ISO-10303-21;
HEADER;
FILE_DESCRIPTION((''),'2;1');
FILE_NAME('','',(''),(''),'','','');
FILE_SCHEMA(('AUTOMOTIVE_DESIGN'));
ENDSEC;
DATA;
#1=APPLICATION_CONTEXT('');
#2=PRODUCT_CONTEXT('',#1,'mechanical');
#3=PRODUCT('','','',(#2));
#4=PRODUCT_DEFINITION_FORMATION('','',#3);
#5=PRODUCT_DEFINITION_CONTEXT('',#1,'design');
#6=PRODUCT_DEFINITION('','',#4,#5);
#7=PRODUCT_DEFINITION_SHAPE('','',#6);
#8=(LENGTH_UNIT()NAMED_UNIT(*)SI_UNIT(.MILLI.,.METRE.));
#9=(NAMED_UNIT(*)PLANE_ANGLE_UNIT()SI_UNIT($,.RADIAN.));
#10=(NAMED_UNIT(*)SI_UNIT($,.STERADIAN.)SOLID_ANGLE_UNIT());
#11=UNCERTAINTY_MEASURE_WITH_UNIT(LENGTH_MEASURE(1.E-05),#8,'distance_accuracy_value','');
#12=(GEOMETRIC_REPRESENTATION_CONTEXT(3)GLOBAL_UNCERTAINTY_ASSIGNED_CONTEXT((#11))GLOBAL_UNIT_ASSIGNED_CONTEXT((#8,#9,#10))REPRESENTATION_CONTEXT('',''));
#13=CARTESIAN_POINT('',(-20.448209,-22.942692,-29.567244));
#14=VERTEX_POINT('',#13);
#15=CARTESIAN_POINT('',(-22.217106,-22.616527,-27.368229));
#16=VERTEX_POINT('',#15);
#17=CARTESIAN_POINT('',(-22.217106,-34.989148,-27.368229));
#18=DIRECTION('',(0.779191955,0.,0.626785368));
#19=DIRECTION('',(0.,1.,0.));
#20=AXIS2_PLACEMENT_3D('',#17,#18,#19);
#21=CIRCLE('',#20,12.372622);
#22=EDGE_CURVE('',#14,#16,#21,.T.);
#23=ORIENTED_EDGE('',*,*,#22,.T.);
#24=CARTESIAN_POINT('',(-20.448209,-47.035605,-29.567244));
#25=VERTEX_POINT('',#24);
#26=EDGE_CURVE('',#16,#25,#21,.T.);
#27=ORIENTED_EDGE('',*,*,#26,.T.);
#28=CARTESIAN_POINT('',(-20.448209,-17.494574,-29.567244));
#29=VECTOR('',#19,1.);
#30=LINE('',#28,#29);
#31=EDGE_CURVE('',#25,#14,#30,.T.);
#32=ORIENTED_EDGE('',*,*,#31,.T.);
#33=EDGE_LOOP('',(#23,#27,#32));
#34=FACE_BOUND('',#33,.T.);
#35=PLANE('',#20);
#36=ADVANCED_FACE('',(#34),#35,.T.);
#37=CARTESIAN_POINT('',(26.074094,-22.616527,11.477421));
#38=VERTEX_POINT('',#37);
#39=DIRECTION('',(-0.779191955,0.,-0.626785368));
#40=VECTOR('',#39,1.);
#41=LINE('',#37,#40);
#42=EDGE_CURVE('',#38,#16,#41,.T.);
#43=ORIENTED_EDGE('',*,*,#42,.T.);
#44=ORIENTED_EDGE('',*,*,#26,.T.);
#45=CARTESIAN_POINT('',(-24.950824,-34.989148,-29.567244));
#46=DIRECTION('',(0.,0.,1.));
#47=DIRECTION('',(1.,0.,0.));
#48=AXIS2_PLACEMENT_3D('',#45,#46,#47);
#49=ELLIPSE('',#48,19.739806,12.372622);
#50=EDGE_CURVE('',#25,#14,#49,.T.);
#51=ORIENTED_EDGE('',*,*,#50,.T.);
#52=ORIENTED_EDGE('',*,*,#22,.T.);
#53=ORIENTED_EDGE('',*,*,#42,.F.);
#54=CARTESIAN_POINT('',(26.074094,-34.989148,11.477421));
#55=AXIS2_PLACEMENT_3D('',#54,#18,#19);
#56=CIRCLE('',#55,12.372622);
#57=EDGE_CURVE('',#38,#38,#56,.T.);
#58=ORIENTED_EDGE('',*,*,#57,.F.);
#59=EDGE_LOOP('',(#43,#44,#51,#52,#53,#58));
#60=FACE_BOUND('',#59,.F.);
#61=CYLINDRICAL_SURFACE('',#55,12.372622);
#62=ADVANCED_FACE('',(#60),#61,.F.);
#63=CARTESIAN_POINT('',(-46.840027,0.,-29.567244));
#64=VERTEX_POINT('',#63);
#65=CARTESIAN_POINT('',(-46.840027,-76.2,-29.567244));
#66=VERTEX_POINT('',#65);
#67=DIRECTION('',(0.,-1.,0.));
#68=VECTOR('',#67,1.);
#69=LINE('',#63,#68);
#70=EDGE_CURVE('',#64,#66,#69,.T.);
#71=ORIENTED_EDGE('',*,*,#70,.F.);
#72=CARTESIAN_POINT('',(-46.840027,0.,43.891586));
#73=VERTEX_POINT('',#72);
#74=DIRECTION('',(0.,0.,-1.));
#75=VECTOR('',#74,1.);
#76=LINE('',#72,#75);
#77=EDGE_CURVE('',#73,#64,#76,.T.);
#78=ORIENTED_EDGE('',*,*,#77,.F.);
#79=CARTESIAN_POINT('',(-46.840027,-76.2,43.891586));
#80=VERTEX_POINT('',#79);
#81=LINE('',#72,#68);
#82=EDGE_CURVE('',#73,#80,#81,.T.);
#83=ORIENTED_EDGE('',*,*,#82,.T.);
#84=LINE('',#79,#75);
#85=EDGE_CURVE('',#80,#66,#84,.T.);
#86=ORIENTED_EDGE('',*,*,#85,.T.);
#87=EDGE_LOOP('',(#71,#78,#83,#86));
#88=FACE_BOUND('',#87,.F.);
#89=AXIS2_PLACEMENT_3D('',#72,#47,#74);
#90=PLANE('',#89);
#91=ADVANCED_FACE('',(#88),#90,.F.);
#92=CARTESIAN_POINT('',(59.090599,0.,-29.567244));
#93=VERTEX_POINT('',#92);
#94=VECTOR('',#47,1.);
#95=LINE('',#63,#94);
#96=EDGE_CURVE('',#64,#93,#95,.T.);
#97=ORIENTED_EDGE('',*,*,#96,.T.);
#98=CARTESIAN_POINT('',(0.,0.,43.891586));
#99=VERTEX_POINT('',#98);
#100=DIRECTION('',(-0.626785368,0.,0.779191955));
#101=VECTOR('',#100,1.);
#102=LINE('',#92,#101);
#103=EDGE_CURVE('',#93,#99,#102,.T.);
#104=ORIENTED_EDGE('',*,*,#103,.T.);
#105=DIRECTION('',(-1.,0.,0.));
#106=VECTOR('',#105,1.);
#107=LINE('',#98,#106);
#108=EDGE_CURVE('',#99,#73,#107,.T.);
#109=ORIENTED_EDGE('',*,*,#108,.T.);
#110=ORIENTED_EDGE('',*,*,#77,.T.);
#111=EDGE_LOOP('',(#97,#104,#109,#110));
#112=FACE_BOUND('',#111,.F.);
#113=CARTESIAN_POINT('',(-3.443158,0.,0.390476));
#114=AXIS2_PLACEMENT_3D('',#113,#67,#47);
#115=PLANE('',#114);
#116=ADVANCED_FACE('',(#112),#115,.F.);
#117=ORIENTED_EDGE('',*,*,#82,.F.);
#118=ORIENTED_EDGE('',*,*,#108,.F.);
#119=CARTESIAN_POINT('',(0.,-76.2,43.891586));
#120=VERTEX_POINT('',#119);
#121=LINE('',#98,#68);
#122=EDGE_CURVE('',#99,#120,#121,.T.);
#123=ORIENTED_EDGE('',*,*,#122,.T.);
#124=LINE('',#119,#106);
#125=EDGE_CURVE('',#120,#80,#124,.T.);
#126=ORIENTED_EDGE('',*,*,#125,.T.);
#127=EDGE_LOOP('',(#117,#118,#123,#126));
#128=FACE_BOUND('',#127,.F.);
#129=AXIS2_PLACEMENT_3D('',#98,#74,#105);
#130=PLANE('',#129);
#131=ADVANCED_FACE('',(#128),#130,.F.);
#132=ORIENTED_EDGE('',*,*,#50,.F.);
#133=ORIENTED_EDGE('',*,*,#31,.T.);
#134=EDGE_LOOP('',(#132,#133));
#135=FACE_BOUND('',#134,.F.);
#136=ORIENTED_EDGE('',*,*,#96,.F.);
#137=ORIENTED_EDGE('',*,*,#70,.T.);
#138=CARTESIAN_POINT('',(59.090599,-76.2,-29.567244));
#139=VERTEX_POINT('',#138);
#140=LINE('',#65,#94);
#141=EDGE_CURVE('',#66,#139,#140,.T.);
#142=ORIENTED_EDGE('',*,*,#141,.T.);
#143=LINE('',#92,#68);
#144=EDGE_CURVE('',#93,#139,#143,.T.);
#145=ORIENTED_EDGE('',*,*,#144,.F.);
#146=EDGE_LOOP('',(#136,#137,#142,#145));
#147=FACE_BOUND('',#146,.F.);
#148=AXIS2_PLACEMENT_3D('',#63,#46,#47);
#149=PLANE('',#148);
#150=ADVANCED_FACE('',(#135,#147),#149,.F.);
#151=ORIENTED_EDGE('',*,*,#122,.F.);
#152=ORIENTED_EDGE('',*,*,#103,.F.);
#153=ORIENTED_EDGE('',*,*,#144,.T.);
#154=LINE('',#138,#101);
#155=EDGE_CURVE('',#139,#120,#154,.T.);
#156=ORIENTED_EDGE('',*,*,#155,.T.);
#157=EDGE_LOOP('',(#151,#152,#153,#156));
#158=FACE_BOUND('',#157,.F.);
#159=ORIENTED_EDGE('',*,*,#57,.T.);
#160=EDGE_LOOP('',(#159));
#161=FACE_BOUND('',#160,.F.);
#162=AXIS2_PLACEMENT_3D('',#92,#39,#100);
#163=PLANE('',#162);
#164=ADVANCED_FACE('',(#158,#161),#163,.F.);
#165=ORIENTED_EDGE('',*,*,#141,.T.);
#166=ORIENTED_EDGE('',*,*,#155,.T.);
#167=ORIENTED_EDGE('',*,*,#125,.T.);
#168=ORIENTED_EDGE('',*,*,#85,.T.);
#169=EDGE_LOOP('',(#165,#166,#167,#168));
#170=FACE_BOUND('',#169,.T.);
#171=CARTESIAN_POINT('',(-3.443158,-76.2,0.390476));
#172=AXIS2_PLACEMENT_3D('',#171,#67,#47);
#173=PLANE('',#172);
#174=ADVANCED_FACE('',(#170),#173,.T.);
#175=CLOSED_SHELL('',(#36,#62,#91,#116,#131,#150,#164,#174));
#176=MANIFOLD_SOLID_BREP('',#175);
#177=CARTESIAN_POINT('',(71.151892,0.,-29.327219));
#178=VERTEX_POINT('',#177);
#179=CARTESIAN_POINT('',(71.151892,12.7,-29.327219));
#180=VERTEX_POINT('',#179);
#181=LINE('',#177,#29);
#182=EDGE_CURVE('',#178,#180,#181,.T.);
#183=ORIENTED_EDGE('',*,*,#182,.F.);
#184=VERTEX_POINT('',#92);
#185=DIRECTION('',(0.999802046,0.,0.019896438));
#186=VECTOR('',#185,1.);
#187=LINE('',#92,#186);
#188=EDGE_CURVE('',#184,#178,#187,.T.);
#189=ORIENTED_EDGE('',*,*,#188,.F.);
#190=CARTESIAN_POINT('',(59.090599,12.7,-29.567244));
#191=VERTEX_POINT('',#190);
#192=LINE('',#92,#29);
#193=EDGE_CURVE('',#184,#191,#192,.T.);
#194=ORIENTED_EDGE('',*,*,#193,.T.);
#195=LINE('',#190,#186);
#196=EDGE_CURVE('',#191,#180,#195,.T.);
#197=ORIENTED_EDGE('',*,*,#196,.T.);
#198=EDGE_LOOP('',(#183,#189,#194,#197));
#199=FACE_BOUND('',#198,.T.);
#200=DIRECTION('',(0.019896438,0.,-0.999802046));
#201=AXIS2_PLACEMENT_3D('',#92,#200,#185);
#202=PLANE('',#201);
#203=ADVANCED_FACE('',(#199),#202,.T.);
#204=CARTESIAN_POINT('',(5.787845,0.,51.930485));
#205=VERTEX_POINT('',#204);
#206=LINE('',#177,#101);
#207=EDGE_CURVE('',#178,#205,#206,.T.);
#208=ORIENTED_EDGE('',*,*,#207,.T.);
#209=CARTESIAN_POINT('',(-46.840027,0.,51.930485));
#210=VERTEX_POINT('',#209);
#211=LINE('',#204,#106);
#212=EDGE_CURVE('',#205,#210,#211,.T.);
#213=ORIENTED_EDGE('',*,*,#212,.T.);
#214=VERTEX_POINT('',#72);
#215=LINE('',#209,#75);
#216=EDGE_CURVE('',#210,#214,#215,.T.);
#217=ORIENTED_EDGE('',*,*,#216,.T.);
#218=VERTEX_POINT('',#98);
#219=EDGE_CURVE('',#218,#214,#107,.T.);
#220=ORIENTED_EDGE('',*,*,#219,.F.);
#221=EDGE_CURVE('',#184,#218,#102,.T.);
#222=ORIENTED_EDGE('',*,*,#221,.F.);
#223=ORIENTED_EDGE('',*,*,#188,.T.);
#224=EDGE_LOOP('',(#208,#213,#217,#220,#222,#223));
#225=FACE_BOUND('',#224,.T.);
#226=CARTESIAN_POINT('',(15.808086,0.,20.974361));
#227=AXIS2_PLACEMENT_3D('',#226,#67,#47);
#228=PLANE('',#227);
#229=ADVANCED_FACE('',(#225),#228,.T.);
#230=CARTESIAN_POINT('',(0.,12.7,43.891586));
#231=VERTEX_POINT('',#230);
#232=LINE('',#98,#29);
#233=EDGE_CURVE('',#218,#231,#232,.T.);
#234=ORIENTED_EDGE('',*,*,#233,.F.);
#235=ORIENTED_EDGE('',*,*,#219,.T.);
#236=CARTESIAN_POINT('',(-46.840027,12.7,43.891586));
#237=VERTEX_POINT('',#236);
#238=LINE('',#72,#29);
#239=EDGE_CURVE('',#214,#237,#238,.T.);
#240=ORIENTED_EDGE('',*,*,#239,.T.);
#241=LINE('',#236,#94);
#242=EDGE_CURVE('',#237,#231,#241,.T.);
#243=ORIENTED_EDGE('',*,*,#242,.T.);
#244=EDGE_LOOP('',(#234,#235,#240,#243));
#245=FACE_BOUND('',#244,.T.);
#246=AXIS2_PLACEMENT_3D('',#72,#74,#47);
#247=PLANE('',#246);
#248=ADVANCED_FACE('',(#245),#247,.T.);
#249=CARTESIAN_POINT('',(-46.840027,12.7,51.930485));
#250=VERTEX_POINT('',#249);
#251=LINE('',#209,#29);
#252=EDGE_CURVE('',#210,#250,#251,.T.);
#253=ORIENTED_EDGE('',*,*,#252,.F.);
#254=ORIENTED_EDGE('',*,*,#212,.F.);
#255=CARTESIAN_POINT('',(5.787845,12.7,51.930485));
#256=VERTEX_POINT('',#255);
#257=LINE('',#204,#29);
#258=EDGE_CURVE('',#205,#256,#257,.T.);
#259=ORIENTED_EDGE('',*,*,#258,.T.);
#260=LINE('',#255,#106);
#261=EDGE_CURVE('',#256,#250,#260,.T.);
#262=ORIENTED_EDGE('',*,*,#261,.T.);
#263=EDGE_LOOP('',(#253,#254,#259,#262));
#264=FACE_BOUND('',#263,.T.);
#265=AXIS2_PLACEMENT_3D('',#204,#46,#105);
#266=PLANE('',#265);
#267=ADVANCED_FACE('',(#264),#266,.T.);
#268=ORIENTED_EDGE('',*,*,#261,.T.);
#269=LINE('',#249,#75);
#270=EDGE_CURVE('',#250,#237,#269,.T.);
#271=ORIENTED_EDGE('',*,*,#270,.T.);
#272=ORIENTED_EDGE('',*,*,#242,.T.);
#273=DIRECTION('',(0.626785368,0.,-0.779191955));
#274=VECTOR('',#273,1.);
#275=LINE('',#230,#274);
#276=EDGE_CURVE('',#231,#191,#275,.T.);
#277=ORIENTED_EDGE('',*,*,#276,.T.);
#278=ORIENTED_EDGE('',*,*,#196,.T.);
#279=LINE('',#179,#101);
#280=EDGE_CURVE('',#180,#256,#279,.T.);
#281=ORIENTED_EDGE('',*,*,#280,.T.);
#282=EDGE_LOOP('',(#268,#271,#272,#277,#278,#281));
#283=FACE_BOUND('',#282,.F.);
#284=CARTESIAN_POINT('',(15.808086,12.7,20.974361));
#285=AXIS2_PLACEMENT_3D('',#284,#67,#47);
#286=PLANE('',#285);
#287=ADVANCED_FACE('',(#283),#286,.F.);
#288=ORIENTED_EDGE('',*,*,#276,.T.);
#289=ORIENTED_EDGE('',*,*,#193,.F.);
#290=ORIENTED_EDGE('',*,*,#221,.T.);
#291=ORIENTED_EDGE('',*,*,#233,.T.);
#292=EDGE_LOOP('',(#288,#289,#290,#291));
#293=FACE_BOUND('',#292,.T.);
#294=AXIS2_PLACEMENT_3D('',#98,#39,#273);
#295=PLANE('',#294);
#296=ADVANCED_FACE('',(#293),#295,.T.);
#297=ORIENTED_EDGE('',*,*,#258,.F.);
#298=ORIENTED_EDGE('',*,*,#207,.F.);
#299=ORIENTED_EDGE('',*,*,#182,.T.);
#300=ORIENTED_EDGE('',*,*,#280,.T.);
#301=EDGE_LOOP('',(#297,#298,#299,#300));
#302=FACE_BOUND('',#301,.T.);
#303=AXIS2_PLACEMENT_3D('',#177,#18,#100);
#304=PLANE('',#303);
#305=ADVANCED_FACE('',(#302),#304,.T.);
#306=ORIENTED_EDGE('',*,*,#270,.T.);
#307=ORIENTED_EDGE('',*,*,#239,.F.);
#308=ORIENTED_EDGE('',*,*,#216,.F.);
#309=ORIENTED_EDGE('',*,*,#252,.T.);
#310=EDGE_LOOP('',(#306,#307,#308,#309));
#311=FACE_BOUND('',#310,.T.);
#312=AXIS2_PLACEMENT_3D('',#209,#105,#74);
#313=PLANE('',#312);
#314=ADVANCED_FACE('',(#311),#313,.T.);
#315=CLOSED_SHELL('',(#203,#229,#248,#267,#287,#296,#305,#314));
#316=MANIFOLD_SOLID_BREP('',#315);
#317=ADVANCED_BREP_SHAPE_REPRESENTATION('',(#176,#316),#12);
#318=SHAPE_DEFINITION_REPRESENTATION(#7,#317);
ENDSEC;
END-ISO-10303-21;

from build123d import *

# Parameters (mm, degrees)
F1_DEPTH = 76.2
F2_DEPTH = 12.7
F3_R     = 12.3726217029
F4_DEPTH = 61.976


with BuildPart() as f1:
    # F0 (on Front) → F1 (new body)
    with BuildSketch(Plane.XZ):
        Polygon((0, 43.8915863633), (-46.8400269747, 43.8915863633), (-46.8400269747, -29.5672435313), (59.0905994177, -29.5672435313), align=None)
    extrude(amount=F1_DEPTH)

    # F0 (on Front) → F2 (join)
    with BuildSketch(Plane.XZ):
        Polygon((-46.8400269747, 51.9304850427), (-46.8400269747, 43.8915863633), (0, 43.8915863633), (59.0905994177, -29.5672435313), (71.1518924552, -29.3272192482), (5.7878448555, 51.9304850427), align=None)
    extrude(amount=-F2_DEPTH)

    # F3 (on face) → F4 (cut)
    with BuildSketch(Plane(origin=(21.4360413899, 0, 17.2432440958), x_dir=(0, 1, 0), z_dir=(0.7791919552, 0, 0.6267853675))):
        with Locations((-34.9891483784, -7.3997466825)):
            Circle(F3_R)
    extrude(amount=-F4_DEPTH, mode=Mode.SUBTRACT)


solid = f1.part
